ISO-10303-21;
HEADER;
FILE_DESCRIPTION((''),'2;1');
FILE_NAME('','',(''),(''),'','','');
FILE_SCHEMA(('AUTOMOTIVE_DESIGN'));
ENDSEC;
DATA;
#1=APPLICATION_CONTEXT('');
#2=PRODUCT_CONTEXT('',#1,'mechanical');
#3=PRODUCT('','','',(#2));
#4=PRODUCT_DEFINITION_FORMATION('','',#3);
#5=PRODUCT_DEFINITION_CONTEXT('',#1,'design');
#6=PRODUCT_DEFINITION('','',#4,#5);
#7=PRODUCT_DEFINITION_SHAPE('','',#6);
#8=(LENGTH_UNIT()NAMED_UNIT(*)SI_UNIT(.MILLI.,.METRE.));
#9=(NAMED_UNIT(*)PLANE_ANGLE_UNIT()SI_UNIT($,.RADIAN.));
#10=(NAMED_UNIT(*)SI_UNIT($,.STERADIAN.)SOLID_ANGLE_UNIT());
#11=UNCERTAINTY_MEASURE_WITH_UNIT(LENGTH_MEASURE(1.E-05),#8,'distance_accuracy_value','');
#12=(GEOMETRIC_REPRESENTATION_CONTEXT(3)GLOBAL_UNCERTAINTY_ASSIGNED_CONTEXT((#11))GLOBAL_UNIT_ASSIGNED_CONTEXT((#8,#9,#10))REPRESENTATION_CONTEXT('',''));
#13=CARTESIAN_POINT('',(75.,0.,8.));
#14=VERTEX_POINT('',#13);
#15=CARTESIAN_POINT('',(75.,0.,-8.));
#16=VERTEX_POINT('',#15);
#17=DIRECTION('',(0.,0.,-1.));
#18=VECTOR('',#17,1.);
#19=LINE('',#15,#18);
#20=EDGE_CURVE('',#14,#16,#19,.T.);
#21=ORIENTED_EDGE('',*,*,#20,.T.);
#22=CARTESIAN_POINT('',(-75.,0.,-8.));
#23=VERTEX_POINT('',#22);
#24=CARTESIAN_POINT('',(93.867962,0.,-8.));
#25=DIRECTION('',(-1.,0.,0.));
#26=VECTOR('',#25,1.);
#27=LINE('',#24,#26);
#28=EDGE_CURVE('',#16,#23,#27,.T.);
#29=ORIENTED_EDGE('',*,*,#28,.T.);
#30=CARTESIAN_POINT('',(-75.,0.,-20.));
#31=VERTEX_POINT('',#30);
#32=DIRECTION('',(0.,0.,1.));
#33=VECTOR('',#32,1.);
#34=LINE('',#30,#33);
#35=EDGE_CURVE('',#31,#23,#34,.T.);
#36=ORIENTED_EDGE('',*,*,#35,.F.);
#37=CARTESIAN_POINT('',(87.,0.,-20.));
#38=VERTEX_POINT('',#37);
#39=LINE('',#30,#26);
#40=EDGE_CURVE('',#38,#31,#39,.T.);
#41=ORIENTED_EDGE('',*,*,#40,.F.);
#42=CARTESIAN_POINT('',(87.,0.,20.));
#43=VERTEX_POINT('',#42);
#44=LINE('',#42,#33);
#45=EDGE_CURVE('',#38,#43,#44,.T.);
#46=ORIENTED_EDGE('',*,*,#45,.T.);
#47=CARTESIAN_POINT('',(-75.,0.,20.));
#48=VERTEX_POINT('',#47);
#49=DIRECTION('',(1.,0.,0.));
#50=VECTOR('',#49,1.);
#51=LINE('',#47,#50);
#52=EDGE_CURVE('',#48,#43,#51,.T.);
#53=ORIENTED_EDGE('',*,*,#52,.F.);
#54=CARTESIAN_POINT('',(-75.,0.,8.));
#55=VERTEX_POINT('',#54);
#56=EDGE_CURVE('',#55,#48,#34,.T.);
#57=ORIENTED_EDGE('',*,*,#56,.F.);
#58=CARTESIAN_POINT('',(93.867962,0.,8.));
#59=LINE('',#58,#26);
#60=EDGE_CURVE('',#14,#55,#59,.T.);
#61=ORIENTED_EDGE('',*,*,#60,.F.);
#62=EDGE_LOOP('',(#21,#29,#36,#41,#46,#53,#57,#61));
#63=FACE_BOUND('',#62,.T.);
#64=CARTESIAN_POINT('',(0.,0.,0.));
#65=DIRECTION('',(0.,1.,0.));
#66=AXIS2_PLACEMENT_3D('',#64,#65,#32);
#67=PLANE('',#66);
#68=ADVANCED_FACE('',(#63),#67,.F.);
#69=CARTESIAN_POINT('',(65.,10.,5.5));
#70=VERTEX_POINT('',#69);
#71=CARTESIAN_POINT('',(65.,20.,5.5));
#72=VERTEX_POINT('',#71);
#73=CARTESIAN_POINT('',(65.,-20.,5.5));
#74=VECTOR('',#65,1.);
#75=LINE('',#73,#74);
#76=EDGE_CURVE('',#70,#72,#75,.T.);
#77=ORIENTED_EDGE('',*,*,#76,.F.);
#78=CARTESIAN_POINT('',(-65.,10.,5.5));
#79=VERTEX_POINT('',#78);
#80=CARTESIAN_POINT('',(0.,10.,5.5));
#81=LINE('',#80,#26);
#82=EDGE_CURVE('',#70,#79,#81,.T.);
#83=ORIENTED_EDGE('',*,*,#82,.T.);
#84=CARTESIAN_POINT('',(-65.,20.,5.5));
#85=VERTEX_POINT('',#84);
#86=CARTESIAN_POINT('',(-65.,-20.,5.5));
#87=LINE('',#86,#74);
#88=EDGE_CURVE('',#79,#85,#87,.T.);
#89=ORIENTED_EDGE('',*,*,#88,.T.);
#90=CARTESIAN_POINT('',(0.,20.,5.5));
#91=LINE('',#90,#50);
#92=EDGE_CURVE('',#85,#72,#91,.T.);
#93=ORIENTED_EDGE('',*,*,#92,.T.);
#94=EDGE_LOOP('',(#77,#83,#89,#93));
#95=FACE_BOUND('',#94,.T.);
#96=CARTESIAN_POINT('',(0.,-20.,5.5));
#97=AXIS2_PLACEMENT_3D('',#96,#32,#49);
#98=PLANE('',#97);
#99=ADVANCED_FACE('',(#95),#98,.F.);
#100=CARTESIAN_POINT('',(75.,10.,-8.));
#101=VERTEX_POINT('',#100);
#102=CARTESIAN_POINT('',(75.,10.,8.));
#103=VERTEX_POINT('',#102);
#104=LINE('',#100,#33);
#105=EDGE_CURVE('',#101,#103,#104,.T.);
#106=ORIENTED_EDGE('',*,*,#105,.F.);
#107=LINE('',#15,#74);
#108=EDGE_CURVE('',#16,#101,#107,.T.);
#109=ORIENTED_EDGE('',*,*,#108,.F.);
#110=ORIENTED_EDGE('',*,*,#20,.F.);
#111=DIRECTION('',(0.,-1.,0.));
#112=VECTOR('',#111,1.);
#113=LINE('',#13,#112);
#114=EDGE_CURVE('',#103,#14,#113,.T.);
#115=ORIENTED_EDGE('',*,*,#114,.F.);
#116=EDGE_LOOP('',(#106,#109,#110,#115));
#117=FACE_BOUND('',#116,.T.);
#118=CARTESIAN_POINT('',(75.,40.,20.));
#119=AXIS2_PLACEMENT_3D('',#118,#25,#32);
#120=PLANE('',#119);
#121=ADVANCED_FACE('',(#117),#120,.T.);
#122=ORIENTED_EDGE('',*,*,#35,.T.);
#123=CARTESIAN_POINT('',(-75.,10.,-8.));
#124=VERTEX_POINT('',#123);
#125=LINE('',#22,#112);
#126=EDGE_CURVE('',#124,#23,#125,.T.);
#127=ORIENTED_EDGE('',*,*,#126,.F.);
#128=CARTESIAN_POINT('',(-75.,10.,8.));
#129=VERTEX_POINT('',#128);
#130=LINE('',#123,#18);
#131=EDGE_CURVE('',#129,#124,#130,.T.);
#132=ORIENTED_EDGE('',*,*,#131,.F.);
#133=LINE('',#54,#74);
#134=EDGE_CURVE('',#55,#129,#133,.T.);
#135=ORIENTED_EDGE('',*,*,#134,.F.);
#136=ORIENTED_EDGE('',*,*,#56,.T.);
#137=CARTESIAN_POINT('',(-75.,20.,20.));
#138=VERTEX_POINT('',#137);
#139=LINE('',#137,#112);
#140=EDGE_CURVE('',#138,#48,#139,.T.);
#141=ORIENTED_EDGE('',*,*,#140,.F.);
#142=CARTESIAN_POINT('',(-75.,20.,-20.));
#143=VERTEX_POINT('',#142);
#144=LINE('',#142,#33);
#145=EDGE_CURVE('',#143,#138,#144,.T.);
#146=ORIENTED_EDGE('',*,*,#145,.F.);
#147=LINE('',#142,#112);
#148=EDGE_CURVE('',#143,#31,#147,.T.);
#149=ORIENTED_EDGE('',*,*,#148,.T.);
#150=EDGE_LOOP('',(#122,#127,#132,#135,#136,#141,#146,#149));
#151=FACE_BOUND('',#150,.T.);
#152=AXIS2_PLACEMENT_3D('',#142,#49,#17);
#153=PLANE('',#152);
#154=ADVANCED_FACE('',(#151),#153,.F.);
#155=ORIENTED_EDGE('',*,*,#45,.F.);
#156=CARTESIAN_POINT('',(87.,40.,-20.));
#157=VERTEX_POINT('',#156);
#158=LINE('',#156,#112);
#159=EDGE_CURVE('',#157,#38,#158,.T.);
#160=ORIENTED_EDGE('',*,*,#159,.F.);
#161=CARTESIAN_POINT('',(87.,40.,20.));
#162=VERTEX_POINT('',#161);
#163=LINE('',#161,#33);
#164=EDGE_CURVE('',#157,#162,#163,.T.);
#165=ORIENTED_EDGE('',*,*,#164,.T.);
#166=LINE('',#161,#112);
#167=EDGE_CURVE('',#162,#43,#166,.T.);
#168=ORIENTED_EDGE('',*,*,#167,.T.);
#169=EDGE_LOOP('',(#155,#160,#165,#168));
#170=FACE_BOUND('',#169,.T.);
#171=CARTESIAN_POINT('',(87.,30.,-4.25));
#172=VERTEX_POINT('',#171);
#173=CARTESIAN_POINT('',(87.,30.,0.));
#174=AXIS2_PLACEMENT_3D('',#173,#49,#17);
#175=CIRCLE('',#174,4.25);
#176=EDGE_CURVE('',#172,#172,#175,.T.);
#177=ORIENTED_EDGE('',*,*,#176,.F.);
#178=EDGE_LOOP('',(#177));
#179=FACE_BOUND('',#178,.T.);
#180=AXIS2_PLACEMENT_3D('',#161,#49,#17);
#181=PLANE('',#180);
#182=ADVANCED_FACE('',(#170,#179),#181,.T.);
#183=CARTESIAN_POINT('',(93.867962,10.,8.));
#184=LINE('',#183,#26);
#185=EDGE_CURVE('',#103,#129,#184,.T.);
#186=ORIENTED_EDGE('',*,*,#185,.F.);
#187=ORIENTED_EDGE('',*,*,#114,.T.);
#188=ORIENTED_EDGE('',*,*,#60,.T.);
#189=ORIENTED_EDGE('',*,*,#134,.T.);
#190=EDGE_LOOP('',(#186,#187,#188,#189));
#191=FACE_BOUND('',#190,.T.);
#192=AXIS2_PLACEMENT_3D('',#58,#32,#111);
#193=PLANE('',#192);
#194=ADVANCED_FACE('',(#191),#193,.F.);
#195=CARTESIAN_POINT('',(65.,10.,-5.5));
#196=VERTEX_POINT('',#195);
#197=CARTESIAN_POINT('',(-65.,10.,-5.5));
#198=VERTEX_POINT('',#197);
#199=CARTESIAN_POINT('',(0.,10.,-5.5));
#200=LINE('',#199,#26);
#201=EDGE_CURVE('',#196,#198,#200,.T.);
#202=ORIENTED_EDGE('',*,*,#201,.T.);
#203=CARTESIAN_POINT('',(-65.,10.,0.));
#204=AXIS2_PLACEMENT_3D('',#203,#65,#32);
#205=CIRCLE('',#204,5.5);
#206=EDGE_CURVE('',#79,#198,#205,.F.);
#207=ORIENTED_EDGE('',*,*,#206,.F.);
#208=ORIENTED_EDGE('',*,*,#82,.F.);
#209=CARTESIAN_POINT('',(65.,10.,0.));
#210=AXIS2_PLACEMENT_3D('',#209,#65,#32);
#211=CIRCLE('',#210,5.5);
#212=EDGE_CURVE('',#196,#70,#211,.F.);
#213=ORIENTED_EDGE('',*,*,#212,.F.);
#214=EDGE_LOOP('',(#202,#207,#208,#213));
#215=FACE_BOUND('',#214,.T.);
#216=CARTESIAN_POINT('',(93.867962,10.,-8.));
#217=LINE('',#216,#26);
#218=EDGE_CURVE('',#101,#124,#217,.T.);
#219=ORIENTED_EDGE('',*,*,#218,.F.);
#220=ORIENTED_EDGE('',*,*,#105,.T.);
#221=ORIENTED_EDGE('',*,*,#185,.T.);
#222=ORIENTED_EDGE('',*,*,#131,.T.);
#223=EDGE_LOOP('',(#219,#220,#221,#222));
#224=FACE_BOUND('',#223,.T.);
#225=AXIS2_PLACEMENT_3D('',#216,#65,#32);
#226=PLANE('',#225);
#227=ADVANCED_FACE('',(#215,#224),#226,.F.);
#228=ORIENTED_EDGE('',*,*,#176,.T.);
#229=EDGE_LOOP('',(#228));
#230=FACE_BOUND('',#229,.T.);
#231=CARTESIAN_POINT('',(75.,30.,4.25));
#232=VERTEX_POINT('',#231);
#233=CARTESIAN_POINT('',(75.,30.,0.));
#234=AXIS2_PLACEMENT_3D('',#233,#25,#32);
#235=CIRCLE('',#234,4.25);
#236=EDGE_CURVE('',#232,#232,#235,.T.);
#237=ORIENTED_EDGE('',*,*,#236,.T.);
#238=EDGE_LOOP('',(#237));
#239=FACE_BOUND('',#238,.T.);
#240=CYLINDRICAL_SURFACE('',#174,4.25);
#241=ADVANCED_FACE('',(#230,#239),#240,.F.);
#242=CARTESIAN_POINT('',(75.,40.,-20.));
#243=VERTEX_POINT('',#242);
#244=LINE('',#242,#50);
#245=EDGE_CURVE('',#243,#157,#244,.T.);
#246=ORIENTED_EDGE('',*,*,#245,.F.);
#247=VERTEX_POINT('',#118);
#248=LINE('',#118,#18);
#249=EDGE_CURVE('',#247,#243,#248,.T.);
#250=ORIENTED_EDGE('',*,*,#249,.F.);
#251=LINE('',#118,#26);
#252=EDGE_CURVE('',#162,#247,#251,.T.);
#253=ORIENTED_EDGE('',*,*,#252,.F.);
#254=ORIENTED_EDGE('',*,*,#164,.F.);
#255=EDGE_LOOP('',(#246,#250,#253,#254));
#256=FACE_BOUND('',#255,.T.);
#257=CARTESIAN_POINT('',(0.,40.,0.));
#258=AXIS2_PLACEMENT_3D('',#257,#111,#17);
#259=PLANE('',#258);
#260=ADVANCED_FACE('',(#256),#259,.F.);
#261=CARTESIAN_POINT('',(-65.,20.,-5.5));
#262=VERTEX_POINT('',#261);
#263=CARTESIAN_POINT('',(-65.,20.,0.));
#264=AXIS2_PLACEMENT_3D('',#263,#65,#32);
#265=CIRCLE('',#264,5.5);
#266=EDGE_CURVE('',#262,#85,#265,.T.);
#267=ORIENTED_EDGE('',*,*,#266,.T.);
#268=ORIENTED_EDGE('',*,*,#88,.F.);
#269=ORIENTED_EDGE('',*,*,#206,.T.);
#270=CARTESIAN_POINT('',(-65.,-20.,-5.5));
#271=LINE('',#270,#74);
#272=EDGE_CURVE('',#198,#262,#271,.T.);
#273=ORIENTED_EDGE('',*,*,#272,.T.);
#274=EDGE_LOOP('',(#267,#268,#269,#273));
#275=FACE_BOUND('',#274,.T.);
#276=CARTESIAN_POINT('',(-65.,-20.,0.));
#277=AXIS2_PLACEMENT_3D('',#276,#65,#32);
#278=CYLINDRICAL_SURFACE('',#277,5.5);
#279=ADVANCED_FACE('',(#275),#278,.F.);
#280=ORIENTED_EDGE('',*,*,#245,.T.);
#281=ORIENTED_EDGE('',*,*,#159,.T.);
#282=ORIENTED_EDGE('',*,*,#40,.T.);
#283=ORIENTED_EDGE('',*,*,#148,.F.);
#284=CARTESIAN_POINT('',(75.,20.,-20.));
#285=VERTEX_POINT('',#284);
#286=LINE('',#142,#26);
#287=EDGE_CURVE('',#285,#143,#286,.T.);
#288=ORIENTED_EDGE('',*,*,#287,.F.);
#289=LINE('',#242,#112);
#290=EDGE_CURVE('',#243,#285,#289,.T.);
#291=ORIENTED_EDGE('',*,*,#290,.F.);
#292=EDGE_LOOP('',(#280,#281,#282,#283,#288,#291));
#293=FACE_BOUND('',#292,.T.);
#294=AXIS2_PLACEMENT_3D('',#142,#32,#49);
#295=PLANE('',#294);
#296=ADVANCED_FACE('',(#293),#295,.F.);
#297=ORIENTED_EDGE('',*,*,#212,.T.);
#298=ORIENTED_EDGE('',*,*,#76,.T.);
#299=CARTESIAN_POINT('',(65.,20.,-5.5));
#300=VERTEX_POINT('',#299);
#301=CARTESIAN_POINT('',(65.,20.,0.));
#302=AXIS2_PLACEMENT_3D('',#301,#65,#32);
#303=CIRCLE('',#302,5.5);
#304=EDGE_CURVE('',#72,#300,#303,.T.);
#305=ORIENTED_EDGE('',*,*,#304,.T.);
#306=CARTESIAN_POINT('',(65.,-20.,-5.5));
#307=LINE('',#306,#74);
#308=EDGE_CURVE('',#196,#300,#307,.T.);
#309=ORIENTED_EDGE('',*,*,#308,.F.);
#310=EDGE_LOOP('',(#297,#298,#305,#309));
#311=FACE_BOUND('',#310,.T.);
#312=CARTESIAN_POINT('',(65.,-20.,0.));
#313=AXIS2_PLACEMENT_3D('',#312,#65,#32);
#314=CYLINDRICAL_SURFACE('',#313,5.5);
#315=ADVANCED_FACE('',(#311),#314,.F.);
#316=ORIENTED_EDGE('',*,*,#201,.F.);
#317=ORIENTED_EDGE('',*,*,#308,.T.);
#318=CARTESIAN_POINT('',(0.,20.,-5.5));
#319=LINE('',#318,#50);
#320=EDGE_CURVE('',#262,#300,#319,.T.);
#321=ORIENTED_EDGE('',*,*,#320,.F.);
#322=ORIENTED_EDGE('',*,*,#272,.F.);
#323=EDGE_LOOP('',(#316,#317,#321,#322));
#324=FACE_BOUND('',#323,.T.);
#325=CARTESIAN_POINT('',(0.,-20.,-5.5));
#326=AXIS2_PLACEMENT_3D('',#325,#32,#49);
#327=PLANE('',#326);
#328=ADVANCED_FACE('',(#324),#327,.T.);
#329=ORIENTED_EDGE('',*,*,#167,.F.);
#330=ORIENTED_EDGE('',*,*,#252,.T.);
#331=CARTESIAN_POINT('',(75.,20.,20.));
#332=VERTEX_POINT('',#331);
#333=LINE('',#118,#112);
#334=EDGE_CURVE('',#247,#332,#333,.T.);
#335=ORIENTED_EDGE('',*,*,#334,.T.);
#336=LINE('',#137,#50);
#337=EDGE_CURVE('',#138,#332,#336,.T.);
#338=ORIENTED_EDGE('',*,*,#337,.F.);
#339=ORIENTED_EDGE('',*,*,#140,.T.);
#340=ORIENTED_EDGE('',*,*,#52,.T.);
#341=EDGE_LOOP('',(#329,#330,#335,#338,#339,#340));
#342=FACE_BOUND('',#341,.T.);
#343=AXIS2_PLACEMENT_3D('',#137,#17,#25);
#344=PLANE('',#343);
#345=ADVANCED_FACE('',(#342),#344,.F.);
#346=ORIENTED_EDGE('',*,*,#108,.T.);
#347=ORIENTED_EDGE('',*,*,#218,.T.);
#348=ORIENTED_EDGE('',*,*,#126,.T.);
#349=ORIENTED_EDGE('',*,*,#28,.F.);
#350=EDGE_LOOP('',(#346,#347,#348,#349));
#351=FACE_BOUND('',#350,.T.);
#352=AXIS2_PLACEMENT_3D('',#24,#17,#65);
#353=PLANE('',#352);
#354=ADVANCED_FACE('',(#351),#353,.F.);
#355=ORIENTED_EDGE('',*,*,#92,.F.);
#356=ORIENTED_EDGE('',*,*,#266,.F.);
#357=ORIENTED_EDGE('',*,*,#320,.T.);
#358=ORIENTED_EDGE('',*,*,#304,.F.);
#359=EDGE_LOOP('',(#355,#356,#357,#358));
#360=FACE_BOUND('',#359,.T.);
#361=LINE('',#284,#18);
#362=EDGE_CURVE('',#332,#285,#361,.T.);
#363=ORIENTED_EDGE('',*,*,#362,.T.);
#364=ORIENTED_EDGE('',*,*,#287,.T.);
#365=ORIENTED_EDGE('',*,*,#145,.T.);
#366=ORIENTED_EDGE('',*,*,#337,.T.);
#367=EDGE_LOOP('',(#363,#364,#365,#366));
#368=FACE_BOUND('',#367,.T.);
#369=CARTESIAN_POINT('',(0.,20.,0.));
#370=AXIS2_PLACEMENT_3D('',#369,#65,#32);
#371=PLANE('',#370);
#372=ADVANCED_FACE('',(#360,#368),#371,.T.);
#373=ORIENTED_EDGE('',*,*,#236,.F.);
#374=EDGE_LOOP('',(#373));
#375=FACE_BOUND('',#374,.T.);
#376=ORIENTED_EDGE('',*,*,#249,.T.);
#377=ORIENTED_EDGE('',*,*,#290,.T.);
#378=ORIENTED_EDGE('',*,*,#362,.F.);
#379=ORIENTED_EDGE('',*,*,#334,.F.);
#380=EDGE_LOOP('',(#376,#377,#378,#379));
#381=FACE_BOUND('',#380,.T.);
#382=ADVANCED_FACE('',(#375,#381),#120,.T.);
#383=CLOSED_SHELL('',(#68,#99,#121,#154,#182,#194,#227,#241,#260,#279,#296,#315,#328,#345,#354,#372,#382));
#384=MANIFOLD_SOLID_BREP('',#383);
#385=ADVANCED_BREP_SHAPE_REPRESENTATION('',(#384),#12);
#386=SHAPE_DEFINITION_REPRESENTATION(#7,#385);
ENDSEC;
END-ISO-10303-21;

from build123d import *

# Parameters (mm, degrees)
SKETCH_1_W              = 150
SKETCH_1_H              = 40
EXTRUDE_1_DEPTH         = 20
SKETCH_3_W              = 12
SKETCH_3_H              = 40
EXTRUDE_2_DEPTH         = 40
CUT_EXTRUDE_1_DEPTH     = 40
HOLE_WIZARD_M10_1_D     = 8.5
HOLE_WIZARD_M10_1_DEPTH = 24.5
HOLE_WIZARD_M10_1_TIP   = 2.553657631
SKETCH_7_W              = 16
SKETCH_7_H              = 10
CUT_EXTRUDE_2_DEPTH     = 150


with BuildPart() as part:
    # 草图1 → 凸台-拉伸1 (new body)
    with BuildSketch(Plane(origin=(0, 0, 0), x_dir=(1, 0, 0), z_dir=(0, 1, 0))):
        Rectangle(SKETCH_1_W, SKETCH_1_H)
    extrude(amount=EXTRUDE_1_DEPTH)

    # 草图3 → 凸台-拉伸2 (add)
    with BuildSketch(Plane.XZ):
        with Locations((81, 0)):
            Rectangle(SKETCH_3_W, SKETCH_3_H)
    extrude(amount=-EXTRUDE_2_DEPTH)

    # 草图4 → 切除-拉伸1 (cut)
    with BuildSketch(Plane(origin=(0, 20, 0), x_dir=(1, 0, 0), z_dir=(0, 1, 0))):
        with BuildLine():
            Line((-65, 5.5), (65, 5.5))
            ThreePointArc((65, 5.5), (70.5, 0), (65, -5.5))
            Line((65, -5.5), (-65, -5.5))
            ThreePointArc((-65, -5.5), (-70.5, 0), (-65, 5.5))
        make_face()
    extrude(amount=-CUT_EXTRUDE_1_DEPTH, mode=Mode.SUBTRACT)

    # M10 螺纹孔1
    with Locations(Plane(origin=(87, 0, 0), x_dir=(0, 0, -1), z_dir=(1, 0, 0))):
        with Locations((0, 30)):
            Hole(HOLE_WIZARD_M10_1_D / 2, depth=HOLE_WIZARD_M10_1_DEPTH)
            with Locations((0, 0, -(HOLE_WIZARD_M10_1_DEPTH + HOLE_WIZARD_M10_1_TIP / 2))):  # 118° drill point
                Cone(0, HOLE_WIZARD_M10_1_D / 2, HOLE_WIZARD_M10_1_TIP, mode=Mode.SUBTRACT)

    # 草图7 → 切除-拉伸2 (cut)
    with BuildSketch(Plane.ZY.offset(75)):
        with Locations((0, 5)):
            Rectangle(SKETCH_7_W, SKETCH_7_H)
    extrude(amount=-CUT_EXTRUDE_2_DEPTH, mode=Mode.SUBTRACT)


solid = part.part
